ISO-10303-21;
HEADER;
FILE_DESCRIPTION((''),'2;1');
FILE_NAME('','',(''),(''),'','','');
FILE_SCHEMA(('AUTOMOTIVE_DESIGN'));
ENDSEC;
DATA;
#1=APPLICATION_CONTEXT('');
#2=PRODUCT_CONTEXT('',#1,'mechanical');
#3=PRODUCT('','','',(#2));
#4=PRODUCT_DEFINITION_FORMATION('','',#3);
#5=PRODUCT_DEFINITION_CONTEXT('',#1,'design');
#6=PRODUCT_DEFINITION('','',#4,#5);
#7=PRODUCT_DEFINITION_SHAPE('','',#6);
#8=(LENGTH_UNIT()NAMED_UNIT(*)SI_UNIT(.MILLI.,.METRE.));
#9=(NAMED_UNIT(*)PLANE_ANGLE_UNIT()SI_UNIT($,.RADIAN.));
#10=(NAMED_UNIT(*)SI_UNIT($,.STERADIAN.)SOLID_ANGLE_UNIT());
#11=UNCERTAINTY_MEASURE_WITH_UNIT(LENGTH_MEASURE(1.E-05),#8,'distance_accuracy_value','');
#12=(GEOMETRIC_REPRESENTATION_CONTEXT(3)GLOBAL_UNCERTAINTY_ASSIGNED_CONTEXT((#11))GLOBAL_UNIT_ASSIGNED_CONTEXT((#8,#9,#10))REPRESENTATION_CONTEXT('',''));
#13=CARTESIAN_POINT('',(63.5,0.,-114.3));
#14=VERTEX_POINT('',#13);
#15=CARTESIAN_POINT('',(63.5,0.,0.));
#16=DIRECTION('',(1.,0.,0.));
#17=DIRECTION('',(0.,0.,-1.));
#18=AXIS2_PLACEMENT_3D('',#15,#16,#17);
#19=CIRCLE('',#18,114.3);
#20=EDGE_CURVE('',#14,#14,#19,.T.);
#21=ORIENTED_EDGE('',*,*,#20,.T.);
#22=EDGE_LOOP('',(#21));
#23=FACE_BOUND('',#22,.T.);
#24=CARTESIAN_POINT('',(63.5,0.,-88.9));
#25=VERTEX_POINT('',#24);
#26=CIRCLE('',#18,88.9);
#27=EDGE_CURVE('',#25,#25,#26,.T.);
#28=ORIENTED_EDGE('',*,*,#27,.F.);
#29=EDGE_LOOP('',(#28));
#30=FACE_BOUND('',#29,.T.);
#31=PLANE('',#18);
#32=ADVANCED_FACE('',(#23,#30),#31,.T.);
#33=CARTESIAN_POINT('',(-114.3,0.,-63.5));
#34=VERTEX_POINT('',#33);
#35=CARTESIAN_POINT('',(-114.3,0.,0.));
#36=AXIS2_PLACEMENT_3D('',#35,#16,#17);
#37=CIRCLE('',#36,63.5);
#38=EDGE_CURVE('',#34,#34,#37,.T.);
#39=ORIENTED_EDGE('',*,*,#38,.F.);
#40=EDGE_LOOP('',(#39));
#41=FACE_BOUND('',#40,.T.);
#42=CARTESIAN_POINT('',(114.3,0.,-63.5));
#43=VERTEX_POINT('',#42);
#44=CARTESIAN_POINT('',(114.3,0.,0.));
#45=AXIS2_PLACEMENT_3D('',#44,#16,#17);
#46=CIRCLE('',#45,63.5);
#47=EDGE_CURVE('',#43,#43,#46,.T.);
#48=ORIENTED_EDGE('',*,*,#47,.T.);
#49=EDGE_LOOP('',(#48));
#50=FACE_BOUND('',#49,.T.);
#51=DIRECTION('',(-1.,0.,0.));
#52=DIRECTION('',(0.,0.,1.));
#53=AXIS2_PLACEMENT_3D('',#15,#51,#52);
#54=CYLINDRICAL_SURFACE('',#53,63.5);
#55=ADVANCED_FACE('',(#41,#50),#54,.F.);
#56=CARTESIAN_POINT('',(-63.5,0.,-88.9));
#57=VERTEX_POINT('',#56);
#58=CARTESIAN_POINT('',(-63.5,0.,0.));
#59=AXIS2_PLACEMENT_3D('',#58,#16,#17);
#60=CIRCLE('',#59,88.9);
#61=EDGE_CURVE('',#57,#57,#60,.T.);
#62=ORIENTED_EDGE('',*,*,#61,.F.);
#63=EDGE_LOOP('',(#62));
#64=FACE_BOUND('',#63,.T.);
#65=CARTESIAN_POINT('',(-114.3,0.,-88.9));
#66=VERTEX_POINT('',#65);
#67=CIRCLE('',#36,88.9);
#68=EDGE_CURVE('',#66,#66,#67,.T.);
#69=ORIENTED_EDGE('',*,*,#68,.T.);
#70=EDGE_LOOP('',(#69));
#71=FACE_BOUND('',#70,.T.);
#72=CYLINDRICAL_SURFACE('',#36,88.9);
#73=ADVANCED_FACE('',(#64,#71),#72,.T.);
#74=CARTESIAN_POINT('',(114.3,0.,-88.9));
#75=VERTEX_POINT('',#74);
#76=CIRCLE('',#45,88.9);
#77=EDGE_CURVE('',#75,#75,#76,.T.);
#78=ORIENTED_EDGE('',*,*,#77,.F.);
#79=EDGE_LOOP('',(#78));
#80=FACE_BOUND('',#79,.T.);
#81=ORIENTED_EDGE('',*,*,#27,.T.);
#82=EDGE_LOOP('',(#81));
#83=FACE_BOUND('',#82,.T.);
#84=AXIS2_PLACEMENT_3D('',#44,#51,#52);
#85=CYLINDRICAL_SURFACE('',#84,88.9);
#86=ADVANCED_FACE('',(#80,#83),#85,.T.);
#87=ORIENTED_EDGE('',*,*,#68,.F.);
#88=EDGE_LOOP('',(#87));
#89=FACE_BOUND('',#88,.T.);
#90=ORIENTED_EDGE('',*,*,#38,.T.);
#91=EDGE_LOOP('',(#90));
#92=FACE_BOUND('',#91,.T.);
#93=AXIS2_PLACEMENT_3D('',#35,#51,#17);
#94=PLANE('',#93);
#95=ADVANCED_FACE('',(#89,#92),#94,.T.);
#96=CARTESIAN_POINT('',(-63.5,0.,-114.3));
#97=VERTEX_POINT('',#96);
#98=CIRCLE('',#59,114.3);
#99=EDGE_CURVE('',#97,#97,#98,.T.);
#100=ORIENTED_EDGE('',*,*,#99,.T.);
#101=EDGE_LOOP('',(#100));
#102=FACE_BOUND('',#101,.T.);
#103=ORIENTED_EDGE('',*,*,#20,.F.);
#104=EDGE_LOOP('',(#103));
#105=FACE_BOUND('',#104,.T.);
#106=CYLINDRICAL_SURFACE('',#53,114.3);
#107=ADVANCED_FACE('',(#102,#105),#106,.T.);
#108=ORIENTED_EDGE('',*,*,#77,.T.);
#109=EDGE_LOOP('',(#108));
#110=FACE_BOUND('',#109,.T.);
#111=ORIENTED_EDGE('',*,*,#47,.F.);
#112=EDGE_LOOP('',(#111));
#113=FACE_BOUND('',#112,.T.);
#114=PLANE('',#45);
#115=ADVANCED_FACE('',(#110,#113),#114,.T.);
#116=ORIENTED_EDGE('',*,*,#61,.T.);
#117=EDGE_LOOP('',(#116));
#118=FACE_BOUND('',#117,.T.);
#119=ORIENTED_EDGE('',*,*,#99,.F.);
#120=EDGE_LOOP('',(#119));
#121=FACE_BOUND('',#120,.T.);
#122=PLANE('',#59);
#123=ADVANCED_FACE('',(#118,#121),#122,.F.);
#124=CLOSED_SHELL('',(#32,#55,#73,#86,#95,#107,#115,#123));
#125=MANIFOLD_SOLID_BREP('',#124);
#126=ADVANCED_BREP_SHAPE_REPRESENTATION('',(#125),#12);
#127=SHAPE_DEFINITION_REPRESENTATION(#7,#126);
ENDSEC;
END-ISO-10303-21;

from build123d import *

# Parameters (mm, degrees)
SKETCH1_R           = 114.3
SKETCH1_R_2         = 63.5
BOSS_EXTRUDE1_DEPTH = 63.5
SKETCH2_R           = 88.9
SKETCH2_R_2         = 63.5
BOSS_EXTRUDE2_DEPTH = 50.8


with BuildPart() as part:
    # Sketch1 → Boss-Extrude1 (new, symmetric)
    with BuildSketch(Plane(origin=(0, 0, 0), x_dir=(0, 0, -1), z_dir=(1, 0, 0))):
        Circle(SKETCH1_R)
        Circle(SKETCH1_R_2, mode=Mode.SUBTRACT)
    extrude(amount=BOSS_EXTRUDE1_DEPTH, both=True)

    # Sketch2 → Boss-Extrude2 (add)
    with BuildSketch(Plane(origin=(63.5, 0, 0), x_dir=(0, 0, -1), z_dir=(1, 0, 0))):
        Circle(SKETCH2_R)
        Circle(SKETCH2_R_2, mode=Mode.SUBTRACT)
    boss_extrude2 = extrude(amount=BOSS_EXTRUDE2_DEPTH)

    # Mirror1: Boss-Extrude2 across plane
    add(boss_extrude2.mirror(Plane(origin=(0, 0, 0), x_dir=(0, 0, 1), z_dir=(1, 0, 0))))


solid = part.part
